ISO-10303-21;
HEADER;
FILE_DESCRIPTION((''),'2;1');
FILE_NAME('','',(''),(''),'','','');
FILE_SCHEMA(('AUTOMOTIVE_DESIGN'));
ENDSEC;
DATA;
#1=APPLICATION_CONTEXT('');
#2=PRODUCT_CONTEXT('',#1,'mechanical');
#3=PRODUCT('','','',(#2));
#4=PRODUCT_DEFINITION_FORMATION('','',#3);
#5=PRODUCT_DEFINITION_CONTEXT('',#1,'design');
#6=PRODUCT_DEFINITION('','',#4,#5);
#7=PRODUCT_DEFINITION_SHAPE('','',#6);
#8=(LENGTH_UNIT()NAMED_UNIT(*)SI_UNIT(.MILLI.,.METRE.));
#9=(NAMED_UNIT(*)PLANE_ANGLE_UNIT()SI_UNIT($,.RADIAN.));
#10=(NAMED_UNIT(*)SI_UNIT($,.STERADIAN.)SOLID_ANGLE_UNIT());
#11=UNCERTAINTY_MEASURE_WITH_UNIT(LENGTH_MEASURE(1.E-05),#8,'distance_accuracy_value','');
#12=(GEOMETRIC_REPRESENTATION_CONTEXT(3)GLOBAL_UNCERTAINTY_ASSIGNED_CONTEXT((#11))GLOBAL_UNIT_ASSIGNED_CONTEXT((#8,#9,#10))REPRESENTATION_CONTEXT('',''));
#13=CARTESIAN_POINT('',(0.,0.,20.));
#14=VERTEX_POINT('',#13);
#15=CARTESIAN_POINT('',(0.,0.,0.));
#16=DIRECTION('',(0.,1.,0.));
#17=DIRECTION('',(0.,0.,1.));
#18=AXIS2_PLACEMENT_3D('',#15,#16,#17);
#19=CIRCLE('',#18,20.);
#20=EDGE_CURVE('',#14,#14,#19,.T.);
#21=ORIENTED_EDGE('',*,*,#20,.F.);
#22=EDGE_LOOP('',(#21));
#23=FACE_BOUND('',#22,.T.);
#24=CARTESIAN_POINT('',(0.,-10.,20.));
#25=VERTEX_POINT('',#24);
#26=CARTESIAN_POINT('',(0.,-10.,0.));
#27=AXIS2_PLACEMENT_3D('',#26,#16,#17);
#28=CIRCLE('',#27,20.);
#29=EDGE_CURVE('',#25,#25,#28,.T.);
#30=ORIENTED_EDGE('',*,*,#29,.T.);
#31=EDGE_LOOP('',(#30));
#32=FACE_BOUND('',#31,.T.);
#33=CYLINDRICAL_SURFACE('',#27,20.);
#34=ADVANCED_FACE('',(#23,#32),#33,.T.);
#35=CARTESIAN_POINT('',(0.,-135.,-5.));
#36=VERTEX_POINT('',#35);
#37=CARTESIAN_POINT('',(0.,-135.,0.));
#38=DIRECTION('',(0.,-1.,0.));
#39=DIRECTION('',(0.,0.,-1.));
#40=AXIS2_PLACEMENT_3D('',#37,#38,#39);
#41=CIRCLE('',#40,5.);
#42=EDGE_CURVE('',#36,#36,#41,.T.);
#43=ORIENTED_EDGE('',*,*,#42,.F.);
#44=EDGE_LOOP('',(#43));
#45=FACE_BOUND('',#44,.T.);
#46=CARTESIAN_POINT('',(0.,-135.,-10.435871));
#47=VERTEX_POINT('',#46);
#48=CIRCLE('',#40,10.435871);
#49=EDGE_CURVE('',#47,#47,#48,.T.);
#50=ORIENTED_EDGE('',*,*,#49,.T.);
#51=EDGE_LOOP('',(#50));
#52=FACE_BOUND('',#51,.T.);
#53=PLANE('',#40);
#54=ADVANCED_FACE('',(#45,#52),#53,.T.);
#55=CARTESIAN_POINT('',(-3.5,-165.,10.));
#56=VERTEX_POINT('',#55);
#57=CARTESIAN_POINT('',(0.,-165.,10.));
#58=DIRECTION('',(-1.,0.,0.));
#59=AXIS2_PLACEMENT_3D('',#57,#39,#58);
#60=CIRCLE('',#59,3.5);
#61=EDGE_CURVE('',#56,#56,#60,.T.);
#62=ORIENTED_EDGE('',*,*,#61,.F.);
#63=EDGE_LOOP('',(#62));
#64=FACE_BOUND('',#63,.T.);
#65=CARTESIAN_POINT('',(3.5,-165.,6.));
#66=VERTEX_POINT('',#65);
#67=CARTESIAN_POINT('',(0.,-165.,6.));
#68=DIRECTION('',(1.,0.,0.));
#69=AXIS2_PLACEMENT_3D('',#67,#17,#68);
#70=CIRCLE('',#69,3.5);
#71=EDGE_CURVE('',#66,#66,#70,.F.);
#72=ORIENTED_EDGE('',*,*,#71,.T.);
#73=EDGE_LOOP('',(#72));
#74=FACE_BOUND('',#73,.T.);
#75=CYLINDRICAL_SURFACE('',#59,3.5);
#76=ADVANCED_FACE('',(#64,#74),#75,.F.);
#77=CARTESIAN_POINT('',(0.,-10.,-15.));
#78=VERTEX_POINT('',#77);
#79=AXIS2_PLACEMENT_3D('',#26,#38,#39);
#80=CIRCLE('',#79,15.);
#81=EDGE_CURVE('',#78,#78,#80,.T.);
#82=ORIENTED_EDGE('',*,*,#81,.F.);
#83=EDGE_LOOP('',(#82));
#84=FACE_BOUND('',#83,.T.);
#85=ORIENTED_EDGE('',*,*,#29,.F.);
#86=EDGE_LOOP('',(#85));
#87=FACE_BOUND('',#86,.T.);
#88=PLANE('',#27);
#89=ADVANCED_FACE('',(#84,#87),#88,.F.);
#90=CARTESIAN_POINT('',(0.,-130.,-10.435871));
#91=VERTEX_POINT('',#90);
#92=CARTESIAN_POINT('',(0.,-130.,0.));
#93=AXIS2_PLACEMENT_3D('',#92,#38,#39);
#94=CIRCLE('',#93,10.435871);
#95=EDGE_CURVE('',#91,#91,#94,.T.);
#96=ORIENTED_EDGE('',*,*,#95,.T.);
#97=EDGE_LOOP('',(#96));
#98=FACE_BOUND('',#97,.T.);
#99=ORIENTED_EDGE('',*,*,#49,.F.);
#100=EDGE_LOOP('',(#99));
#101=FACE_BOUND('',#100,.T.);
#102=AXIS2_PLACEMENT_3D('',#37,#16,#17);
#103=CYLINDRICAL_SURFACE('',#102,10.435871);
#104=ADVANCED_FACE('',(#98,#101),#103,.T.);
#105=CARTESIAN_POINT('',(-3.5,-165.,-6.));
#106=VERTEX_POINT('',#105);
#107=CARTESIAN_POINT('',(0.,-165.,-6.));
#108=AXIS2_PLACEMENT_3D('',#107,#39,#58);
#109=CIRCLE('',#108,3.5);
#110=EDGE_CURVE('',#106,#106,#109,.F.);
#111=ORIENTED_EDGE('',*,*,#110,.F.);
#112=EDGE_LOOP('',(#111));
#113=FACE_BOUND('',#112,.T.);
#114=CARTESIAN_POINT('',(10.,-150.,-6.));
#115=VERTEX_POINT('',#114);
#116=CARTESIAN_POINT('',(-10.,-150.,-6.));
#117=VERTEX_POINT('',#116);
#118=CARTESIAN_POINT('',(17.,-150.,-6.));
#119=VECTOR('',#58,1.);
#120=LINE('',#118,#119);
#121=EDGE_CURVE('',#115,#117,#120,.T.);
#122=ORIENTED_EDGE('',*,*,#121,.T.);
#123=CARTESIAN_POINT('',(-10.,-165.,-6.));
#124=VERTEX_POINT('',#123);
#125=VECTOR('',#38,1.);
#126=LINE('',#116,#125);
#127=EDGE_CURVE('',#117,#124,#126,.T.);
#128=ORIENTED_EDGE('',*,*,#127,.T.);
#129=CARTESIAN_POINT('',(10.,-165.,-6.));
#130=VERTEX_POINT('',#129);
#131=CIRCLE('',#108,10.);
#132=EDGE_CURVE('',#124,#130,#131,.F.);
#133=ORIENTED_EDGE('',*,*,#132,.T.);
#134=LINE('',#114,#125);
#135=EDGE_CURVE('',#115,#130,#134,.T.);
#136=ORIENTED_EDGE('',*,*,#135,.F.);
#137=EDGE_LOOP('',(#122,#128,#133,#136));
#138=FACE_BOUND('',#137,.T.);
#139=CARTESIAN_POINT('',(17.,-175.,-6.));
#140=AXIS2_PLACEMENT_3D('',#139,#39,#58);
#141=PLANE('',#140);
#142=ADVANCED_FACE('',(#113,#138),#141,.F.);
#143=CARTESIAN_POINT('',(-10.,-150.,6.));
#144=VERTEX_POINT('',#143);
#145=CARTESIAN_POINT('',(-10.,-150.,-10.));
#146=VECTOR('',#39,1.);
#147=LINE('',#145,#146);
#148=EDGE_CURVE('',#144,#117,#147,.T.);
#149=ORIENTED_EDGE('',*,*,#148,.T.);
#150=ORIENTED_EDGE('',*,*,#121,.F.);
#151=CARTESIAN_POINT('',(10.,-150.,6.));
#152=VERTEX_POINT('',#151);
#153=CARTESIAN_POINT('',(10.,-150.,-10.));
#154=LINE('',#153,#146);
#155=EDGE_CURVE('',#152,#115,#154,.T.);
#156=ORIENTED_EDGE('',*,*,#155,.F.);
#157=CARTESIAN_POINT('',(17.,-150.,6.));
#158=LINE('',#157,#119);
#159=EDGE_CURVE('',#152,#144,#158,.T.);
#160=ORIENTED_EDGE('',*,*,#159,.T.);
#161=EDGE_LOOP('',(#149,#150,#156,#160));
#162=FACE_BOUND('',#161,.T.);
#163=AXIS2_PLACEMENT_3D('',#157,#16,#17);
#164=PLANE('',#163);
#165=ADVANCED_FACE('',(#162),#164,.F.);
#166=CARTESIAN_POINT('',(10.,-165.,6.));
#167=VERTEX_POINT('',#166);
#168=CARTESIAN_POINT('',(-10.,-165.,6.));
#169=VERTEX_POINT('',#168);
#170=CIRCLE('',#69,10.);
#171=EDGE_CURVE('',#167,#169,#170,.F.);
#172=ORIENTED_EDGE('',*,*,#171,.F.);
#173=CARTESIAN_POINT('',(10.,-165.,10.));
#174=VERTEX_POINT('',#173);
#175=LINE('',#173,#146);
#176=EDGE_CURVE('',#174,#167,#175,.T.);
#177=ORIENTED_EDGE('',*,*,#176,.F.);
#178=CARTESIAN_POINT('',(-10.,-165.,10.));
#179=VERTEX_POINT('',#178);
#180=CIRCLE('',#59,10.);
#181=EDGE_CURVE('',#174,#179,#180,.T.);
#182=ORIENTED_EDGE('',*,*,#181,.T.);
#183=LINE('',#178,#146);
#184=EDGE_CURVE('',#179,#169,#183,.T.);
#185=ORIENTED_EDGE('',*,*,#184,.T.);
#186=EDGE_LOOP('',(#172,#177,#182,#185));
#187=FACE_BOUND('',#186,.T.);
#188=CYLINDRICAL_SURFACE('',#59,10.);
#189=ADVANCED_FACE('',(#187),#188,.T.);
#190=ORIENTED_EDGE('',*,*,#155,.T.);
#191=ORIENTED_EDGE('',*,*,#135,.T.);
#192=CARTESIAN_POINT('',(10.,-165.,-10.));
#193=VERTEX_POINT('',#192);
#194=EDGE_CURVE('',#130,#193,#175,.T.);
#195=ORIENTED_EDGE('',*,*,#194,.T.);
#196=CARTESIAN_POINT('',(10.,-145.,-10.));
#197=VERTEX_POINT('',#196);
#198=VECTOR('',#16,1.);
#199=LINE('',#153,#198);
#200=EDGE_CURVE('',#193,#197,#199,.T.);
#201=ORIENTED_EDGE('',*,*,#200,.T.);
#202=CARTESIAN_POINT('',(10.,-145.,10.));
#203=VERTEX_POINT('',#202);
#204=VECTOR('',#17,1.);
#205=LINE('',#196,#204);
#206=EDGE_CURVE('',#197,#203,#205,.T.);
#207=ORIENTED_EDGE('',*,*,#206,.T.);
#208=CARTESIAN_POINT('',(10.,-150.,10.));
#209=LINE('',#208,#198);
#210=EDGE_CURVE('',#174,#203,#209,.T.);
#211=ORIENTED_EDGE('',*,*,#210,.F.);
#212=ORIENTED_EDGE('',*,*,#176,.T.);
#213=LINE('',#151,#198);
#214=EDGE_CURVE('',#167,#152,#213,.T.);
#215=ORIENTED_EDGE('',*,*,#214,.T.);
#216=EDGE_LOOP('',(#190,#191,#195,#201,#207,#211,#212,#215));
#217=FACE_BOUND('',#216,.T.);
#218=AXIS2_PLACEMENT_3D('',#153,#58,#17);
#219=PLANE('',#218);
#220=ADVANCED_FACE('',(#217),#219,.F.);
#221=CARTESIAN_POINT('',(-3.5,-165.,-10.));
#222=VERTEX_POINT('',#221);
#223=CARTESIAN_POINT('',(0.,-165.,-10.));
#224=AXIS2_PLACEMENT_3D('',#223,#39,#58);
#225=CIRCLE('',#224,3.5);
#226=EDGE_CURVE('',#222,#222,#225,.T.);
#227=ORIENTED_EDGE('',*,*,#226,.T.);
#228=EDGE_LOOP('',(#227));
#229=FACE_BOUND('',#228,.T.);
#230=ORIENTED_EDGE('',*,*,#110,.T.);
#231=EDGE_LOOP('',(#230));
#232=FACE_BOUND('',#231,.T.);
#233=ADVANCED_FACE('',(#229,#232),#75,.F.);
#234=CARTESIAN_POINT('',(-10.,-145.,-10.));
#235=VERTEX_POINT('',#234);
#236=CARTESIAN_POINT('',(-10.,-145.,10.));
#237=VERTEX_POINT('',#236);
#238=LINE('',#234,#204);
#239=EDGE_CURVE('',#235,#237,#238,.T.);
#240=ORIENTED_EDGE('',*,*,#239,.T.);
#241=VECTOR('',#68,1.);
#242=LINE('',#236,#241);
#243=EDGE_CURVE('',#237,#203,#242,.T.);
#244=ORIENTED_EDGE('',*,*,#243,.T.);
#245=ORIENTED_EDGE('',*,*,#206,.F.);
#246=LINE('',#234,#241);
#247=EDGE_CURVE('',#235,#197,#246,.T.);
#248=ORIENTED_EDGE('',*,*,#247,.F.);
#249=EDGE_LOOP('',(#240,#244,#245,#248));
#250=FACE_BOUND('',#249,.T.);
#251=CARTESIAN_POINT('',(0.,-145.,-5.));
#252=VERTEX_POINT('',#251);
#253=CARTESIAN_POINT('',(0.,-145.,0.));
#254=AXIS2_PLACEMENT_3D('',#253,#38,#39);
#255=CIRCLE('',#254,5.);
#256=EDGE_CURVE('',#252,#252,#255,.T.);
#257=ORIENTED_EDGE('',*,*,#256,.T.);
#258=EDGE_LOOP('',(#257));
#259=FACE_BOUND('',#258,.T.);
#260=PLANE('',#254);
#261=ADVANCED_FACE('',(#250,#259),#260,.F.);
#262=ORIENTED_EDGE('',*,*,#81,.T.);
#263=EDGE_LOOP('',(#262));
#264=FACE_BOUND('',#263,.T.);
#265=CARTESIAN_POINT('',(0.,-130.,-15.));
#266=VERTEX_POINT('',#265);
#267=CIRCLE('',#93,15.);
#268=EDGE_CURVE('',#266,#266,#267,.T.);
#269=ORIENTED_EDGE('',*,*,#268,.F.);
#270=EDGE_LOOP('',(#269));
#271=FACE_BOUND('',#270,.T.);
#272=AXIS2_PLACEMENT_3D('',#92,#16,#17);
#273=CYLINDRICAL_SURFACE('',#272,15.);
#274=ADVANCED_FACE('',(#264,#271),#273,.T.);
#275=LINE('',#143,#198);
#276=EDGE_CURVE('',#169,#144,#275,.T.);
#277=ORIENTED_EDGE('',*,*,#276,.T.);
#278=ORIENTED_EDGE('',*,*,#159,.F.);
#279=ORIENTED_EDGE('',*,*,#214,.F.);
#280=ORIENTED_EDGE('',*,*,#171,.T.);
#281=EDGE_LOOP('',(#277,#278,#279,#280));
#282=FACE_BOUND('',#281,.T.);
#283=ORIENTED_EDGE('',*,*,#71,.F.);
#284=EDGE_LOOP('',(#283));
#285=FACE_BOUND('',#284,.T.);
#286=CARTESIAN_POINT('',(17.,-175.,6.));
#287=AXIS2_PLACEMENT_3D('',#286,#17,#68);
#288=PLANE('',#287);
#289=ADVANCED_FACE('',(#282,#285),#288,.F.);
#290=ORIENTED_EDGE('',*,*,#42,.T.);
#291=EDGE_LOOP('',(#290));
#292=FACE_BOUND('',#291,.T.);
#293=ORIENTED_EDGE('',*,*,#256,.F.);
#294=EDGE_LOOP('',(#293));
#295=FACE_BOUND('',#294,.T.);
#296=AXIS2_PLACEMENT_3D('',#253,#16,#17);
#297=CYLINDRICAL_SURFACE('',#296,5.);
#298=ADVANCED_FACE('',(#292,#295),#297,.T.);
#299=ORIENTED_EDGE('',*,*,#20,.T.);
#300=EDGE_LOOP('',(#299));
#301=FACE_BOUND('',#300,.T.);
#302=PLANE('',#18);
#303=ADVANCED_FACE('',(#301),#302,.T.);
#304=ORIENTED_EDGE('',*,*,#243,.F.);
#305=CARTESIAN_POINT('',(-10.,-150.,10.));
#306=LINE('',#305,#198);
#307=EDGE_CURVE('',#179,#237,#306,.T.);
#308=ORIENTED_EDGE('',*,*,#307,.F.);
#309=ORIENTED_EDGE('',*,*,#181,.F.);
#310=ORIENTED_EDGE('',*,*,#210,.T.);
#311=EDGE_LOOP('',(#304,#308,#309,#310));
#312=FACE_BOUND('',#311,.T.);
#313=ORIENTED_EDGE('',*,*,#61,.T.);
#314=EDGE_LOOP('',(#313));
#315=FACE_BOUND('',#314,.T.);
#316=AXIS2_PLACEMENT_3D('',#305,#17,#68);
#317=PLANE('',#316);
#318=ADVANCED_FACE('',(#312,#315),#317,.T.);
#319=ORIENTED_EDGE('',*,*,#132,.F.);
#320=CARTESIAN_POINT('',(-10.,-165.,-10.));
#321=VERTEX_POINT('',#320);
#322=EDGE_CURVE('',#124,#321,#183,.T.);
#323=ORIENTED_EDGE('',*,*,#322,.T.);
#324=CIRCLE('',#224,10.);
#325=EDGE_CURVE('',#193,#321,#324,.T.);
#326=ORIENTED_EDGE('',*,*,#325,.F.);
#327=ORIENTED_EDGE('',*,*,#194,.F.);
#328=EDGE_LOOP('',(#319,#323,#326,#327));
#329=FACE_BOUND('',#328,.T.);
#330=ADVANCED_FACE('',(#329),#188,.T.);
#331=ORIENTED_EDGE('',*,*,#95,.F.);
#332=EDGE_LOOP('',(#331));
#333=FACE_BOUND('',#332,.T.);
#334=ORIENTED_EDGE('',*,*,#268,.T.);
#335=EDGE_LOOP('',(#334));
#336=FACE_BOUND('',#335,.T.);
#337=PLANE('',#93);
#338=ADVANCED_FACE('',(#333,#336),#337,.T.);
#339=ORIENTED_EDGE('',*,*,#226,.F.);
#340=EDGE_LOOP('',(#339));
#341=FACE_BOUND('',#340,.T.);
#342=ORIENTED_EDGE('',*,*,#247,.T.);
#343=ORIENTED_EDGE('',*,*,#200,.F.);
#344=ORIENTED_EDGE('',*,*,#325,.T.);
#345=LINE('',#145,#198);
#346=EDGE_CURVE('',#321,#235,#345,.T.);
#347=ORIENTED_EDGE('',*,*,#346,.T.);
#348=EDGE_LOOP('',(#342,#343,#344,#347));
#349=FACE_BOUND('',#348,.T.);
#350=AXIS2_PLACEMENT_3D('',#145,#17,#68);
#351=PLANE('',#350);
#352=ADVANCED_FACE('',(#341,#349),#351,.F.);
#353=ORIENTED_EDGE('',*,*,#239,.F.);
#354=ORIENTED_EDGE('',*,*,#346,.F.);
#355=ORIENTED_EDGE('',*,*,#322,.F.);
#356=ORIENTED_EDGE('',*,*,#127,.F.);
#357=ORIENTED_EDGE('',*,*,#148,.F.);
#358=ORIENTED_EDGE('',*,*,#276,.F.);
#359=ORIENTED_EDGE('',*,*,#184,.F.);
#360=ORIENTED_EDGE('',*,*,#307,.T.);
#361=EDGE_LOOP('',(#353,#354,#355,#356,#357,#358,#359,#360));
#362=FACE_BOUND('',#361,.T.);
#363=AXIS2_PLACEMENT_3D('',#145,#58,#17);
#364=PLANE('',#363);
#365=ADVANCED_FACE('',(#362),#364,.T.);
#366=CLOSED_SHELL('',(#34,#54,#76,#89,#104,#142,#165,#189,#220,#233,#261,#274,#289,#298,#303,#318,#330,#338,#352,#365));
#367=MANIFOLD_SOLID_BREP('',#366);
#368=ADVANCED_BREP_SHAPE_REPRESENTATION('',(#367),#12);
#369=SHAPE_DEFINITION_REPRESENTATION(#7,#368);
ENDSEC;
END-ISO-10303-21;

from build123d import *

# Parameters (mm, degrees)
SKETCH3_R           = 20
BOSS_EXTRUDE1_DEPTH = 10
SKETCH4_R           = 15
BOSS_EXTRUDE2_DEPTH = 120
SKETCH5_R           = 10.435871031
BOSS_EXTRUDE3_DEPTH = 5
SKETCH6_R           = 5
BOSS_EXTRUDE4_DEPTH = 10
SKETCH7_W           = 20
SKETCH7_H           = 20
BOSS_EXTRUDE5_DEPTH = 5
SKETCH8_R           = 3.5
BOSS_EXTRUDE6_DEPTH = 20
SKETCH9_W           = 12
SKETCH9_H           = 25
CUT_EXTRUDE1_DEPTH  = 27


with BuildPart() as part:
    # Sketch3 → Boss-Extrude1 (new body)
    with BuildSketch(Plane(origin=(0, 0, 0), x_dir=(1, 0, 0), z_dir=(0, 1, 0))):
        with Locations(Location((0, 0, 0), (0, 0, 270))):
            Circle(SKETCH3_R)
    extrude(amount=-BOSS_EXTRUDE1_DEPTH)

    # Sketch4 → Boss-Extrude2 (add)
    with BuildSketch(Plane.XZ.offset(10)):
        with Locations(Location((0, 0, 0), (0, 0, 270))):
            Circle(SKETCH4_R)
    extrude(amount=BOSS_EXTRUDE2_DEPTH)

    # Sketch5 → Boss-Extrude3 (add)
    with BuildSketch(Plane.XZ.offset(130)):
        with Locations(Location((0, 0, 0), (0, 0, 270))):
            Circle(SKETCH5_R)
    extrude(amount=BOSS_EXTRUDE3_DEPTH)

    # Sketch6 → Boss-Extrude4 (add)
    with BuildSketch(Plane(origin=(0, -135, 0), x_dir=(-1, 0, 0), z_dir=(0, -1, 0))):
        with Locations(Location((0, 0, 0), (0, 0, 90))):
            Circle(SKETCH6_R)
    extrude(amount=BOSS_EXTRUDE4_DEPTH)

    # Sketch7 → Boss-Extrude5 (add)
    with BuildSketch(Plane.XZ.offset(145)):
        Rectangle(SKETCH7_W, SKETCH7_H)
    extrude(amount=BOSS_EXTRUDE5_DEPTH)

    # Sketch8 → Boss-Extrude6 (add)
    with BuildSketch(Plane(origin=(0, 0, -10), x_dir=(-1, 0, 0), z_dir=(0, 0, -1))):
        with BuildLine():
            Line((-10, -150), (-10, -165))
            ThreePointArc((-10, -165), (0, -175), (10, -165))
            Line((10, -165), (10, -150))
            Line((10, -150), (-10, -150))
        make_face()
        with Locations((0, -165)):
            Circle(SKETCH8_R, mode=Mode.SUBTRACT)
    extrude(amount=-BOSS_EXTRUDE6_DEPTH)

    # Sketch9 → Cut-Extrude1 (cut, symmetric)
    with BuildSketch(Plane.ZY.offset(10)):
        with Locations((0, -162.5)):
            Rectangle(SKETCH9_W, SKETCH9_H)
    extrude(amount=CUT_EXTRUDE1_DEPTH, both=True, mode=Mode.SUBTRACT)


solid = part.part
